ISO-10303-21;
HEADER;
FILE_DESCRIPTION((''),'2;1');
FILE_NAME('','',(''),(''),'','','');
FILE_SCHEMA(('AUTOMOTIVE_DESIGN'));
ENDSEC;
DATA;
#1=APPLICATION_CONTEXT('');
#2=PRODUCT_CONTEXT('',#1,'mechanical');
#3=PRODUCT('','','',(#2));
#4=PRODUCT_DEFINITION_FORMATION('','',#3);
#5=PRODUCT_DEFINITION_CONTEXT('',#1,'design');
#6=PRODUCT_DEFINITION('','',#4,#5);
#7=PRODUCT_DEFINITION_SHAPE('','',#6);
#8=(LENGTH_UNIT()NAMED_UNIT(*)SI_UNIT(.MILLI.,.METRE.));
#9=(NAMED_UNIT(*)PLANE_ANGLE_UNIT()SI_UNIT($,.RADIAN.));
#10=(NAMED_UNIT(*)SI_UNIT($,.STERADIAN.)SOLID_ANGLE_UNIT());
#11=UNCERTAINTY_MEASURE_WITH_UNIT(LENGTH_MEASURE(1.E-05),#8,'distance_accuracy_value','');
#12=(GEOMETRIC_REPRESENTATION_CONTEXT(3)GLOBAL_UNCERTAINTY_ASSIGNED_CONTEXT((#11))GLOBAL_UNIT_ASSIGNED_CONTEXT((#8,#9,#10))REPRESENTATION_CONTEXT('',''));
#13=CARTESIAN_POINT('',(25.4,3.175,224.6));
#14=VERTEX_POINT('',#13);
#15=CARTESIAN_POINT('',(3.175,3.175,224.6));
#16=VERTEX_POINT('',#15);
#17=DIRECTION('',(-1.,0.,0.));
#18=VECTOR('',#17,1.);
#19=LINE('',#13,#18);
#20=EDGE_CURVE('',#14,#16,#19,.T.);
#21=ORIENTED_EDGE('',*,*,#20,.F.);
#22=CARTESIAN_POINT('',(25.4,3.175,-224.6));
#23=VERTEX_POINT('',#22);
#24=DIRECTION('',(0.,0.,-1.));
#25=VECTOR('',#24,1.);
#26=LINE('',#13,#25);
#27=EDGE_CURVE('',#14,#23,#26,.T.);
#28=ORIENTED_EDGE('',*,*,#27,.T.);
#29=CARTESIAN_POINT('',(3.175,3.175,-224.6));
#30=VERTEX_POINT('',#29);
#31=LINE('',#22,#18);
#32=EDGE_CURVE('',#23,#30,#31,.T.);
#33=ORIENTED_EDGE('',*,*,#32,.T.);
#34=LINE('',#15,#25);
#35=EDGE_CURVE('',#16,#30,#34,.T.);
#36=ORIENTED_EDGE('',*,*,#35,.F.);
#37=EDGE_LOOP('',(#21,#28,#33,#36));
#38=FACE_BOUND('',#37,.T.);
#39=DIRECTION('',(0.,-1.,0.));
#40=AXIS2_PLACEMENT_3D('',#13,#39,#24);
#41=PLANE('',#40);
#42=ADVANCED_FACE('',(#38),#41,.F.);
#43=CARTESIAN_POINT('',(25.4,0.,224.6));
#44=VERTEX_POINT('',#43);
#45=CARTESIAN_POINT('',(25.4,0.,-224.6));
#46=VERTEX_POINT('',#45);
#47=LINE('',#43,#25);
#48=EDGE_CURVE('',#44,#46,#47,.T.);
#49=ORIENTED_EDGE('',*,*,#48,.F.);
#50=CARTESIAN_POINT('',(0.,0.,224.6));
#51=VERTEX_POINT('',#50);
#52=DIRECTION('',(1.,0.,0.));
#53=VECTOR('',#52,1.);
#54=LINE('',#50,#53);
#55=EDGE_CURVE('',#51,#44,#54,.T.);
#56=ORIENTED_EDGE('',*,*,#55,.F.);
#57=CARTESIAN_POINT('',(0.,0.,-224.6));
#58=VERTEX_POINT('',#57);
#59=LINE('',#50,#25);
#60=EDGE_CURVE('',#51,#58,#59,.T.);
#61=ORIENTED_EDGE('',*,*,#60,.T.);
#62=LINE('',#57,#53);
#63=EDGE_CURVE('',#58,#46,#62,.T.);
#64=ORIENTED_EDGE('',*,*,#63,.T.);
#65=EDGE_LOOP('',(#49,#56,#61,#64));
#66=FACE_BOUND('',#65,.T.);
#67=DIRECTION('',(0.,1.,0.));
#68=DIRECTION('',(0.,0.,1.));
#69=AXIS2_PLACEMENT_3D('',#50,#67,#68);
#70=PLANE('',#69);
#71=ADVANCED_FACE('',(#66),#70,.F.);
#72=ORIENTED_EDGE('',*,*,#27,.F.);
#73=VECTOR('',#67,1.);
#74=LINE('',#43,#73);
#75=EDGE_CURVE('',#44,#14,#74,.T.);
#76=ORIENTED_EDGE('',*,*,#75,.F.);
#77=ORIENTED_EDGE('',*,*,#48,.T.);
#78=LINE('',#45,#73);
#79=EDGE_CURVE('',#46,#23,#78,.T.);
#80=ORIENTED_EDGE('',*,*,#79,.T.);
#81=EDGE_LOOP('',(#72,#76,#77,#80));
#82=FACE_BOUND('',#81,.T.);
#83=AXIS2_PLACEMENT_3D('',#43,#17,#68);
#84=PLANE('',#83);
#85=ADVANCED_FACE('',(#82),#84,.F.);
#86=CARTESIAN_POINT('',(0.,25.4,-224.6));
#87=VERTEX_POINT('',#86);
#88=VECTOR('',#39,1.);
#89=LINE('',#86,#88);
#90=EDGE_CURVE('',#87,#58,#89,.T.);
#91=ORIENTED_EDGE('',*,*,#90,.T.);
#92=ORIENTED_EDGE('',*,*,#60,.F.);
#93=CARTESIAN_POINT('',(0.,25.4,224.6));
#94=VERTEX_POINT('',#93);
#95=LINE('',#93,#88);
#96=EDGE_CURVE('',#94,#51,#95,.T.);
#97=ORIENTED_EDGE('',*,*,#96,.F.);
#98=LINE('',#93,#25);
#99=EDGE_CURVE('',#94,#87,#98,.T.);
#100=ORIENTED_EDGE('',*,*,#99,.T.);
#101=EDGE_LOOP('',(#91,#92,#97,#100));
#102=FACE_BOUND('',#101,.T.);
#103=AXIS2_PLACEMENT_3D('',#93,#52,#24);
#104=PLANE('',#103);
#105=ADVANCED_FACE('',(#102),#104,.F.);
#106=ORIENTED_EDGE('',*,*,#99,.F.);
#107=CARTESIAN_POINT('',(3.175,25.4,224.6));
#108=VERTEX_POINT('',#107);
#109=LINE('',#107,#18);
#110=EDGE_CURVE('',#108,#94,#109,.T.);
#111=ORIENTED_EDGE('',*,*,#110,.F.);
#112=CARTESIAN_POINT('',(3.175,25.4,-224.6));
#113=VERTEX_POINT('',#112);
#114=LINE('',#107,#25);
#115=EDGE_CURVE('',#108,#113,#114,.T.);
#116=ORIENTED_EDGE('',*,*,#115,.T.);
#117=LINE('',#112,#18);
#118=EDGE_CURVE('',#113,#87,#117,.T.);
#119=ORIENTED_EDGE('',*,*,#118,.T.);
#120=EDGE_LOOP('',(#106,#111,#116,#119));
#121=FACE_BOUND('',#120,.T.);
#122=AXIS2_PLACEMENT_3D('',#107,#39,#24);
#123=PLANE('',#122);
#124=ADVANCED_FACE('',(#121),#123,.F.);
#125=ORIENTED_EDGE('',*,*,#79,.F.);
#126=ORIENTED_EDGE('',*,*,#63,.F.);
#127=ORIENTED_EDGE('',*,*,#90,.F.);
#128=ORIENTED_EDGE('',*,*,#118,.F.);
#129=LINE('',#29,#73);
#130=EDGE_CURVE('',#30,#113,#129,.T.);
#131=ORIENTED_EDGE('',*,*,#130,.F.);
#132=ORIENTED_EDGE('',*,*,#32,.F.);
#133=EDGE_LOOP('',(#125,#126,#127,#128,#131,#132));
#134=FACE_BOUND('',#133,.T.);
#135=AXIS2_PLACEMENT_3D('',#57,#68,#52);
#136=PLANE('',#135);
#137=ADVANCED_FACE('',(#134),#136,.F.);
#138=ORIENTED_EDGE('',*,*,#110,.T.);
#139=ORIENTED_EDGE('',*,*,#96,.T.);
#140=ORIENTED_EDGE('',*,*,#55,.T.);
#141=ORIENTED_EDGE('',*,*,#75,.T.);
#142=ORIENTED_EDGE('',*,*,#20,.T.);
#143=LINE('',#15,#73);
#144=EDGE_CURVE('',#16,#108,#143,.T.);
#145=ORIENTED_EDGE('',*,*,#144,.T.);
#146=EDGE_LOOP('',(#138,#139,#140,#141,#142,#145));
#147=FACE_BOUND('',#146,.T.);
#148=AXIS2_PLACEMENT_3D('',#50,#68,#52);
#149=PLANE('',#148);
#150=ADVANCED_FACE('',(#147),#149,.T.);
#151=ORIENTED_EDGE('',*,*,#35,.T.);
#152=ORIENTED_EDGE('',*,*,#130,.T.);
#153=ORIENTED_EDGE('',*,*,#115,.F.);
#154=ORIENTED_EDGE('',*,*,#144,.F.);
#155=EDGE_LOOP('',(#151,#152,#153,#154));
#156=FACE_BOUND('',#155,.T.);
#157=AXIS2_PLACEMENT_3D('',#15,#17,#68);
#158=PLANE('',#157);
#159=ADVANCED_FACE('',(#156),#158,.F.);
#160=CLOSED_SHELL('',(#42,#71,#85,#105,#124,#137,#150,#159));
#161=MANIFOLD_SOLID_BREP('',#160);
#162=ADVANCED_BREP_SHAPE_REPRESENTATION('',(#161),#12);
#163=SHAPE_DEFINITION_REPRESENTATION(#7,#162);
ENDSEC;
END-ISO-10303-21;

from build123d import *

# Parameters (mm, degrees)
BOSS_EXTRUDE1_DEPTH = 224.6


with BuildPart() as part:
    # Sketch1 → Boss-Extrude1 (new body, symmetric)
    with BuildSketch(Plane.XY):
        Polygon((0, 25.4), (0, 0), (25.4, 0), (25.4, 3.175), (3.175, 3.175), (3.175, 25.4), align=None)
    extrude(amount=BOSS_EXTRUDE1_DEPTH, both=True)


solid = part.part
